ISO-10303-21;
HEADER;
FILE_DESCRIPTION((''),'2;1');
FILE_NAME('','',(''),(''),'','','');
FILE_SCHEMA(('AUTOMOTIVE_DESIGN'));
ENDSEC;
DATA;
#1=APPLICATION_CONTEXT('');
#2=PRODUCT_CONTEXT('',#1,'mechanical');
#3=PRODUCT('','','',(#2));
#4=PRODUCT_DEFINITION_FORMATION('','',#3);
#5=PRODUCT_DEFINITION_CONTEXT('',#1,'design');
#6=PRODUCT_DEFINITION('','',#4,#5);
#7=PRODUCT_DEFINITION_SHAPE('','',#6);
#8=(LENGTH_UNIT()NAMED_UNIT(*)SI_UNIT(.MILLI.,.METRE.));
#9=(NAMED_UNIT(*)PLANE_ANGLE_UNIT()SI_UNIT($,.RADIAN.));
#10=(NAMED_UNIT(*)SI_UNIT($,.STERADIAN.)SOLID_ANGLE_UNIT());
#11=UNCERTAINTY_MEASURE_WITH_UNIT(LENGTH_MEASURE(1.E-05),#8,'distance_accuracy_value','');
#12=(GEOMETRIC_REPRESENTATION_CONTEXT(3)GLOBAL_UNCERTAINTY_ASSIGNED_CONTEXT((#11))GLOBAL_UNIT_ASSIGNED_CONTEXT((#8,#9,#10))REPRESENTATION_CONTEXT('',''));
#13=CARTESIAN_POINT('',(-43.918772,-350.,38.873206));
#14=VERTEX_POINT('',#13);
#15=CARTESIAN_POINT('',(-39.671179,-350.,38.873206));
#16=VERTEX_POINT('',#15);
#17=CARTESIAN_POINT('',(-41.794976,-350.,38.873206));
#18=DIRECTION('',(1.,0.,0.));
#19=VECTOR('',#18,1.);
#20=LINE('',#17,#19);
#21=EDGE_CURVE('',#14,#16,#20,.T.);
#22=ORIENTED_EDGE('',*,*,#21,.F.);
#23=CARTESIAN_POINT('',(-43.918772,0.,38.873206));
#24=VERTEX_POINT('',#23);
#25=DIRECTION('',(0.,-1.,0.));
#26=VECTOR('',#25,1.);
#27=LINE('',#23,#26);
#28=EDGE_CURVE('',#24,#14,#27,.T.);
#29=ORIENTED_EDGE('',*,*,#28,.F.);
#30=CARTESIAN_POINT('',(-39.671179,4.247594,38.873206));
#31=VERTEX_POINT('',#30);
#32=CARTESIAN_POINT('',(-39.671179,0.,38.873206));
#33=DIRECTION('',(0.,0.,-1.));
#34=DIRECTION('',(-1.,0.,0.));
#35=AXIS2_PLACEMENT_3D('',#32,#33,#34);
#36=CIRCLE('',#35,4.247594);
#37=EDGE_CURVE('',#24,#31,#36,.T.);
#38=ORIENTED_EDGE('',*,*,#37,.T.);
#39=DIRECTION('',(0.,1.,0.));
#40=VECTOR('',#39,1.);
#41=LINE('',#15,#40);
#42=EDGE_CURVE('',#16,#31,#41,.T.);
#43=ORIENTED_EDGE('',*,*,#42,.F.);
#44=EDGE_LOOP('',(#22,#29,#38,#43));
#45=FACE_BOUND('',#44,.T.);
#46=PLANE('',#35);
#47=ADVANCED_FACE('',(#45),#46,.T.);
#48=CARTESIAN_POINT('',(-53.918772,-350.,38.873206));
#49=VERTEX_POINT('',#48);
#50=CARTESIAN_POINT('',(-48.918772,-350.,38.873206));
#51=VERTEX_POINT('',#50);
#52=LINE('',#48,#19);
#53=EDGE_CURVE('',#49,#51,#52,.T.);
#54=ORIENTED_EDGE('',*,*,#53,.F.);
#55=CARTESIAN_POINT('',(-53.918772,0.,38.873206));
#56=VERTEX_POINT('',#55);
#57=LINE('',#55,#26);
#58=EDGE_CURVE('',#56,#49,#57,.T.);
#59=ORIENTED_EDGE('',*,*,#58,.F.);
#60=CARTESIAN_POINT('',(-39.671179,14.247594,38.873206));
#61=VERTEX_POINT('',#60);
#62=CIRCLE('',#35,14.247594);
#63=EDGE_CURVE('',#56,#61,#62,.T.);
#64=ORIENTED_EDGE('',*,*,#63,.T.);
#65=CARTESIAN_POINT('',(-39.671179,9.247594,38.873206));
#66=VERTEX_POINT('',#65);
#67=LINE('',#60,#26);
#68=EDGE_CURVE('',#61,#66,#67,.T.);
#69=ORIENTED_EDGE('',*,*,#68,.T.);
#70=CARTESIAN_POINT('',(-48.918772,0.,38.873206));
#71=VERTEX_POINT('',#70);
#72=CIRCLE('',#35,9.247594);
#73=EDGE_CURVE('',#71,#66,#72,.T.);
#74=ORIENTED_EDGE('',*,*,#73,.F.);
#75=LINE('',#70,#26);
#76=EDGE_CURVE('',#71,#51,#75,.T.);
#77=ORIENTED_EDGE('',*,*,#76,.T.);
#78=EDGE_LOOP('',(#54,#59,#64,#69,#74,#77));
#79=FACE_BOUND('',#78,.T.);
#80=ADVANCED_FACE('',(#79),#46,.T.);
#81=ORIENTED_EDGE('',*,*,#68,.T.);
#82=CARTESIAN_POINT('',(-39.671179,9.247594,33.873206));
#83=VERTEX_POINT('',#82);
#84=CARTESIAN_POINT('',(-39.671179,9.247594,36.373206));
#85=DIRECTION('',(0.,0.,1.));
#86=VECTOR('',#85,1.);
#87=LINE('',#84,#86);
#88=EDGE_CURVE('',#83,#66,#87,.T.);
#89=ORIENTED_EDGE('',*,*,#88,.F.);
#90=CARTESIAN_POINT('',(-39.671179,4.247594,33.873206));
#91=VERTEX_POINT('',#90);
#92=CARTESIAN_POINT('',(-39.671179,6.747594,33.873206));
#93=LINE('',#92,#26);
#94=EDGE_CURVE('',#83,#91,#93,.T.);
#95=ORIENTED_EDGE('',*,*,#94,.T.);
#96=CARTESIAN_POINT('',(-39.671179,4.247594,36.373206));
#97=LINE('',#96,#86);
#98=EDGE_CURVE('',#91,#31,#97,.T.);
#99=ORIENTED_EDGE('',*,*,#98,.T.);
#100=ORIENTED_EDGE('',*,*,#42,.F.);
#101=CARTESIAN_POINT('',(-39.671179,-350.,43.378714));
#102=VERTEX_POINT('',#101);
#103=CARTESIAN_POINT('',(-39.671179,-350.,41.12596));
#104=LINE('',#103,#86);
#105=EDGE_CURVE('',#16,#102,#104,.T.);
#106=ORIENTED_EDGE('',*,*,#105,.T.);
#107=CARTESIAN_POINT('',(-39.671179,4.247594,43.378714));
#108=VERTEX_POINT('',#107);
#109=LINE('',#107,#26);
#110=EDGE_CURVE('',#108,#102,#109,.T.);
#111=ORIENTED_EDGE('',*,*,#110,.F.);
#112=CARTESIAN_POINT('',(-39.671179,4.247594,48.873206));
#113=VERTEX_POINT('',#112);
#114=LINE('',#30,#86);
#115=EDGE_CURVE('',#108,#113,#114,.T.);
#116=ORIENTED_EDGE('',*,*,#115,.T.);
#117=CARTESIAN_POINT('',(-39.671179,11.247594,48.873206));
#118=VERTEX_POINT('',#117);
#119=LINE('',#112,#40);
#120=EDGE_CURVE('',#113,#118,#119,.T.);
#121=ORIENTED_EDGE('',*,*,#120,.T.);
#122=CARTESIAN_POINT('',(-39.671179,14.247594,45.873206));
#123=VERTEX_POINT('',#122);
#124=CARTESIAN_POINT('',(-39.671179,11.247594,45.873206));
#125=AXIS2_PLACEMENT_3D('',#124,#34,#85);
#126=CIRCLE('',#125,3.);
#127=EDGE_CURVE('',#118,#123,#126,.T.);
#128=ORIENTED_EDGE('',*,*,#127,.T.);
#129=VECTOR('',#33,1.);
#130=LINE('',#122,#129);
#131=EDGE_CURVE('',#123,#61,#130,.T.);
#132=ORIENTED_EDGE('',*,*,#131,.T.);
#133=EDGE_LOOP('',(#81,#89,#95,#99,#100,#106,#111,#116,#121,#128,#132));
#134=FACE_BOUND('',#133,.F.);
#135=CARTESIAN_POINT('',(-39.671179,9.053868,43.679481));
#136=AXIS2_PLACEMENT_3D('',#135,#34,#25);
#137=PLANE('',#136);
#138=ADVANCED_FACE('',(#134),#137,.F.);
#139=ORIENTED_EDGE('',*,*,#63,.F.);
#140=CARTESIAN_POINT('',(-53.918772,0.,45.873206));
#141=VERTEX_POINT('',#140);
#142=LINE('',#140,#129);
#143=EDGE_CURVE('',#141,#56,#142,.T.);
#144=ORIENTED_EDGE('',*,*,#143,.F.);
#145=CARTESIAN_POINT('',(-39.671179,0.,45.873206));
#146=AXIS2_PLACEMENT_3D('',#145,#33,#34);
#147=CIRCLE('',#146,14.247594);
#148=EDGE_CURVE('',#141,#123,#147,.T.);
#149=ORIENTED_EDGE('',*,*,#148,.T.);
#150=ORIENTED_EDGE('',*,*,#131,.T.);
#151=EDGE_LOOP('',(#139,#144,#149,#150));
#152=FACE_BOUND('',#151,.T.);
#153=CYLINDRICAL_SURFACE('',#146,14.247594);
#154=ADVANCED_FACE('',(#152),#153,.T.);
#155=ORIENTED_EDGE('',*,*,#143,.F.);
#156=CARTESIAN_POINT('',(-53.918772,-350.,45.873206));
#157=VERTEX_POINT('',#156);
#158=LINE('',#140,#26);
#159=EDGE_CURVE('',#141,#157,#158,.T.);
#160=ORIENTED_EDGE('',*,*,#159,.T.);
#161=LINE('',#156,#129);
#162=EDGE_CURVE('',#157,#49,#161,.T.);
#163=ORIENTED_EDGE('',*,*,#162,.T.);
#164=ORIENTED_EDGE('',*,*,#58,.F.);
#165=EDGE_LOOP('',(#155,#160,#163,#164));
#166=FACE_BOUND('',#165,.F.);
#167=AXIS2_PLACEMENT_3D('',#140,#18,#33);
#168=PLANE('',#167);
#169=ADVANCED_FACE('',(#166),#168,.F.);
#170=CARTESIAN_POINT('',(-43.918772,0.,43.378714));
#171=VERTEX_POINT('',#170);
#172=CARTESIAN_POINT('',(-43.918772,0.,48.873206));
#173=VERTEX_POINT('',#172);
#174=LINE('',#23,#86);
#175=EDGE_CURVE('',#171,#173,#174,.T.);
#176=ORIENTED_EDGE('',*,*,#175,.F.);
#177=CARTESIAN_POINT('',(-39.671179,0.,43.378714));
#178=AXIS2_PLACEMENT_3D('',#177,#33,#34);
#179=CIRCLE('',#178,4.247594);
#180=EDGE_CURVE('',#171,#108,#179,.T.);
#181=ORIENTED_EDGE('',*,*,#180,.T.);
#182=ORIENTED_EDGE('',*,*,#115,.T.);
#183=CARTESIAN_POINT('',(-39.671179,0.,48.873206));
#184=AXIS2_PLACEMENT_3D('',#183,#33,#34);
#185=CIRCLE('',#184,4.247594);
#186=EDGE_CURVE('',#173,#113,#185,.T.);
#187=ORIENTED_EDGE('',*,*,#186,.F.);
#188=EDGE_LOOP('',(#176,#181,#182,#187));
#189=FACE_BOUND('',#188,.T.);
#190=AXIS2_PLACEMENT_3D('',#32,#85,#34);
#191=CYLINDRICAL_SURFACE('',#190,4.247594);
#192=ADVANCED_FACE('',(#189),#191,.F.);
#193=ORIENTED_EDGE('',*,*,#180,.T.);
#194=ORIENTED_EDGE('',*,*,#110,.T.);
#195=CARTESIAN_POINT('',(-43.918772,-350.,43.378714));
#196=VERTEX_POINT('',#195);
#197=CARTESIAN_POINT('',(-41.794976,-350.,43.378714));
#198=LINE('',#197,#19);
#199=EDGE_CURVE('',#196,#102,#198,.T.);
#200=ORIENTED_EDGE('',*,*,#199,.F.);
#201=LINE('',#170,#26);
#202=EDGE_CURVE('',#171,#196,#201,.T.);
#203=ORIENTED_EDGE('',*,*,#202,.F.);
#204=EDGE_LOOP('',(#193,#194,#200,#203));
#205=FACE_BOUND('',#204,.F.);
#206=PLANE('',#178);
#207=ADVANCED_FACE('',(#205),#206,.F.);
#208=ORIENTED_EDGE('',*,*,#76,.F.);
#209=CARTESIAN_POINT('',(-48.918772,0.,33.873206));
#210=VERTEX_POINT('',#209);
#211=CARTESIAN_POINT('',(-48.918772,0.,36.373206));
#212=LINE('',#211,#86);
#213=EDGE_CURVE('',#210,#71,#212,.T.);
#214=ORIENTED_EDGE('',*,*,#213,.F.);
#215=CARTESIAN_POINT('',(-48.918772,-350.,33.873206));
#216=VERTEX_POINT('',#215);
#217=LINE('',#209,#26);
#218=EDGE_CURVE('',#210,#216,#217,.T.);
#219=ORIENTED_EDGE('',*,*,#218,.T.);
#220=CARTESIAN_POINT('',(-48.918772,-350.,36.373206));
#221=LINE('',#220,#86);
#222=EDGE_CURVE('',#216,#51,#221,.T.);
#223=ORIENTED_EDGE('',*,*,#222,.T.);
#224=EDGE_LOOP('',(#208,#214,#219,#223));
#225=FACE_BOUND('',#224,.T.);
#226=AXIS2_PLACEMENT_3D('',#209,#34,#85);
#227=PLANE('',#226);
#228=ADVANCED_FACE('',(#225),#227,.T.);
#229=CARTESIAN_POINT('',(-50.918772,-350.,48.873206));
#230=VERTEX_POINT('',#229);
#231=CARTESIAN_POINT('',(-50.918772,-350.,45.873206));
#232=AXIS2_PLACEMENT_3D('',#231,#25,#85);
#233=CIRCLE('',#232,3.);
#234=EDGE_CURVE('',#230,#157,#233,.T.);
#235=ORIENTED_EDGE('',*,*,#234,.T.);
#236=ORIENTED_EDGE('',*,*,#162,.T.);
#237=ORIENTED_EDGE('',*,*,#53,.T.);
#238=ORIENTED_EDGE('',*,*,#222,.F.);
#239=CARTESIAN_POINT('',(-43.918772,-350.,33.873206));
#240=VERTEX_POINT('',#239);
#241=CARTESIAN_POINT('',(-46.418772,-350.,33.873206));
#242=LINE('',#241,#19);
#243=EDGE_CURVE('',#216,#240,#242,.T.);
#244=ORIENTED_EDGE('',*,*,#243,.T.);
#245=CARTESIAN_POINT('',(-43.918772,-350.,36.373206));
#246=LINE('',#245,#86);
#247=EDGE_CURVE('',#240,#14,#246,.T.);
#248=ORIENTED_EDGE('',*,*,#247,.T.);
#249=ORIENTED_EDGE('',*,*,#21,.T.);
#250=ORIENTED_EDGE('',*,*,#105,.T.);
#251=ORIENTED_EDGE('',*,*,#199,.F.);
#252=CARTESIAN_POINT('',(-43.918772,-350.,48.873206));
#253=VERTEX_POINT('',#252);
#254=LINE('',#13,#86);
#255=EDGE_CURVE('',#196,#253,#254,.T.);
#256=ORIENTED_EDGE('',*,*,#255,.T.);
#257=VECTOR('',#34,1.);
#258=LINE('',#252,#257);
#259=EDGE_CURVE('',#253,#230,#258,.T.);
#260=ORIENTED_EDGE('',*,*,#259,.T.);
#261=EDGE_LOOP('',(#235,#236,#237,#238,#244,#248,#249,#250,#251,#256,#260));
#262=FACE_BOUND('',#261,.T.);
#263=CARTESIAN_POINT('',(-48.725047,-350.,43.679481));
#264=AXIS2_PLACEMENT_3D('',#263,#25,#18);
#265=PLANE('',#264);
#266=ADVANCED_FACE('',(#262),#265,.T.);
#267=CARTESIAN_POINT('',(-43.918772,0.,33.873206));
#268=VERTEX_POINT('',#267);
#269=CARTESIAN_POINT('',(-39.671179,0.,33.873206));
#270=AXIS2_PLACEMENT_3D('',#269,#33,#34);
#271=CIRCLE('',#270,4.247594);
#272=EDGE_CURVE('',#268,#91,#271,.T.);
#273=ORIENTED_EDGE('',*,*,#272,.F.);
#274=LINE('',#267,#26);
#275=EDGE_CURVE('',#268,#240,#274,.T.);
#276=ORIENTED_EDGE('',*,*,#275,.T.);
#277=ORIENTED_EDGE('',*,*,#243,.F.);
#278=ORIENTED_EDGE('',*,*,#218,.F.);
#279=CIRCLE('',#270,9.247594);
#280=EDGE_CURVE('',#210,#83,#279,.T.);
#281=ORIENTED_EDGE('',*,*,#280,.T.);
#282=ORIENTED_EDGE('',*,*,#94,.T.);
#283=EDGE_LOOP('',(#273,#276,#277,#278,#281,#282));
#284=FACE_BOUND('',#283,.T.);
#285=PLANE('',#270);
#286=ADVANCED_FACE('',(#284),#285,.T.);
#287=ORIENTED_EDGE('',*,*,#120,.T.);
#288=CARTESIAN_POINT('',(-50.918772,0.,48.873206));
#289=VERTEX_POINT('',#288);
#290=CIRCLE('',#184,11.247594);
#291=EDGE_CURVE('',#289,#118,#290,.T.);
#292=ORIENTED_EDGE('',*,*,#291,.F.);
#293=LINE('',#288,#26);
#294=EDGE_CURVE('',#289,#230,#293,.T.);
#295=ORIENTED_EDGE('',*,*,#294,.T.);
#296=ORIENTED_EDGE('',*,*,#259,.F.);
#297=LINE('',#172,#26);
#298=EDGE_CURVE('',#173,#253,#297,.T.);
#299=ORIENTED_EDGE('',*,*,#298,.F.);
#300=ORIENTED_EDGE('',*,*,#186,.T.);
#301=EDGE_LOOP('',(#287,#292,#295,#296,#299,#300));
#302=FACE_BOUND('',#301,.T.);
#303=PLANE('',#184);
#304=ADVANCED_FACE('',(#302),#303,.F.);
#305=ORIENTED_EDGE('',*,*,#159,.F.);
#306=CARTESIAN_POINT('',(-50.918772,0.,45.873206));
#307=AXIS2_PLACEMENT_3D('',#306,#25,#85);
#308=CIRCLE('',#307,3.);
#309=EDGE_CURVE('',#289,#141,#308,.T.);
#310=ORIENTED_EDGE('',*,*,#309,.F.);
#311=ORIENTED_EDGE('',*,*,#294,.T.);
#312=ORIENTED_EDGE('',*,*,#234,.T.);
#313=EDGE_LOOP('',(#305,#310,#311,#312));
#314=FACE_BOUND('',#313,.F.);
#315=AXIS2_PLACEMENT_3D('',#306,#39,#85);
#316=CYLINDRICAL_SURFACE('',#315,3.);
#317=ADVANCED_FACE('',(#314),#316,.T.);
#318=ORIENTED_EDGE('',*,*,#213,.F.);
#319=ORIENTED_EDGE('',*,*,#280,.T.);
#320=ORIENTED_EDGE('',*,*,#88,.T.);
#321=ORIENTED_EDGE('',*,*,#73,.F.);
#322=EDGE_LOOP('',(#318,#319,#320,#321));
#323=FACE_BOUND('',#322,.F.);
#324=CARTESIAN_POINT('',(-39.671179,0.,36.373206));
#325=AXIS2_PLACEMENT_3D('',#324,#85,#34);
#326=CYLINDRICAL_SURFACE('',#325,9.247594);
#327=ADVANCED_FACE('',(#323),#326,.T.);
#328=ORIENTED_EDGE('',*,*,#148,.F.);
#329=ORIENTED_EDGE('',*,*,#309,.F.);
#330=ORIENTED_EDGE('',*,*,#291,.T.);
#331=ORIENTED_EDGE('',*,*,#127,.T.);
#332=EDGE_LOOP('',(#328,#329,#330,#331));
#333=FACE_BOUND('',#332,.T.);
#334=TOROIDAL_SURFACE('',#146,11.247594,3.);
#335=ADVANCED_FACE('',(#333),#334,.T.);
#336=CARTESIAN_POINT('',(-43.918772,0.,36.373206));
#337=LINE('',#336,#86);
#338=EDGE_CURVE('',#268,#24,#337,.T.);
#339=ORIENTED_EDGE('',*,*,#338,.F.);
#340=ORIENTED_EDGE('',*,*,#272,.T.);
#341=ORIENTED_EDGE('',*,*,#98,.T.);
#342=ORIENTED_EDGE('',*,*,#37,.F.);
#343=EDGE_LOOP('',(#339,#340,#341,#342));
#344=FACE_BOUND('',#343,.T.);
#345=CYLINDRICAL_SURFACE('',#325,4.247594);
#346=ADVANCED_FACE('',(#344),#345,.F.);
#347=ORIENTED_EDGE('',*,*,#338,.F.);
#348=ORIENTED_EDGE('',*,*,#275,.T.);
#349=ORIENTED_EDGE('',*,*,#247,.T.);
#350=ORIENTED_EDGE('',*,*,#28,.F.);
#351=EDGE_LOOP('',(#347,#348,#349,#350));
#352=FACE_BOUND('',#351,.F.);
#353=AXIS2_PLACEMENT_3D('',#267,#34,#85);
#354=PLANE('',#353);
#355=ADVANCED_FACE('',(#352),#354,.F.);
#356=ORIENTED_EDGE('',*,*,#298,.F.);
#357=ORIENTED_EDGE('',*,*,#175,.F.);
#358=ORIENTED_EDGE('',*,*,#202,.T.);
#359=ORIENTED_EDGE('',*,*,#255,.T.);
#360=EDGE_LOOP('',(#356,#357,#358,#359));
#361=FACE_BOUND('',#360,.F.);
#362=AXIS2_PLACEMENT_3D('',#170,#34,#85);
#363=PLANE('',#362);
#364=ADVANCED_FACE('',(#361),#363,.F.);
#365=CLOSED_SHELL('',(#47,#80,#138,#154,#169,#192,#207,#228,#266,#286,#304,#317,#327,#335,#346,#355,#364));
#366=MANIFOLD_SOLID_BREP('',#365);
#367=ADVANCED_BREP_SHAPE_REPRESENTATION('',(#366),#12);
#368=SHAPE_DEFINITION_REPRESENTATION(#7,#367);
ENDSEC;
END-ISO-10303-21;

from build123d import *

# Parameters (mm, degrees)
F0_W     = 4.2475935817
F0_H     = 4.5055083651
F0_W_2   = 5
F0_H_2   = 5
F1_DEPTH = 350
F2_ANGLE = 90


with BuildPart() as f1:
    # F0 (on Front) → F1 (new body)
    with BuildSketch(Plane.XZ):
        with BuildLine():
            Line((-43.9187724888, 48.8732061069), (-50.9187724888, 48.8732061069))
            ThreePointArc((-50.9187724888, 48.8732061069), (-53.0400928324, 47.9945264505), (-53.9187724888, 45.8732061069))
            Line((-53.9187724888, 45.8732061069), (-53.9187724888, 38.8732061069))
            Line((-53.9187724888, 38.8732061069), (-48.9187724888, 38.8732061069))
            Line((-48.9187724888, 38.8732061069), (-43.9187724888, 38.8732061069))
            Line((-43.9187724888, 38.8732061069), (-43.9187724888, 43.3787144721))
            Line((-43.9187724888, 43.3787144721), (-43.9187724888, 48.8732061069))
        make_face()
        with Locations((-41.794975698, 41.1259602895)):
            Rectangle(F0_W, F0_H)
        with Locations((-46.4187724888, 36.3732061069)):
            Rectangle(F0_W_2, F0_H_2)
    extrude(amount=F1_DEPTH)

    # F0 (on Front) → F2 (revolve)
    with BuildSketch(Plane.XZ):
        with BuildLine():
            Line((-43.9187724888, 48.8732061069), (-50.9187724888, 48.8732061069))
            ThreePointArc((-50.9187724888, 48.8732061069), (-53.0400928324, 47.9945264505), (-53.9187724888, 45.8732061069))
            Line((-53.9187724888, 45.8732061069), (-53.9187724888, 38.8732061069))
            Line((-53.9187724888, 38.8732061069), (-48.9187724888, 38.8732061069))
            Line((-48.9187724888, 38.8732061069), (-43.9187724888, 38.8732061069))
            Line((-43.9187724888, 38.8732061069), (-43.9187724888, 43.3787144721))
            Line((-43.9187724888, 43.3787144721), (-43.9187724888, 48.8732061069))
        make_face()
        with Locations((-41.794975698, 41.1259602895)):
            Rectangle(F0_W, F0_H)
        with Locations((-46.4187724888, 36.3732061069)):
            Rectangle(F0_W_2, F0_H_2)
    revolve(axis=Axis((-39.6711789072, 0, 41.1259602895), (0, 0, -1)), revolution_arc=F2_ANGLE)


solid = f1.part
